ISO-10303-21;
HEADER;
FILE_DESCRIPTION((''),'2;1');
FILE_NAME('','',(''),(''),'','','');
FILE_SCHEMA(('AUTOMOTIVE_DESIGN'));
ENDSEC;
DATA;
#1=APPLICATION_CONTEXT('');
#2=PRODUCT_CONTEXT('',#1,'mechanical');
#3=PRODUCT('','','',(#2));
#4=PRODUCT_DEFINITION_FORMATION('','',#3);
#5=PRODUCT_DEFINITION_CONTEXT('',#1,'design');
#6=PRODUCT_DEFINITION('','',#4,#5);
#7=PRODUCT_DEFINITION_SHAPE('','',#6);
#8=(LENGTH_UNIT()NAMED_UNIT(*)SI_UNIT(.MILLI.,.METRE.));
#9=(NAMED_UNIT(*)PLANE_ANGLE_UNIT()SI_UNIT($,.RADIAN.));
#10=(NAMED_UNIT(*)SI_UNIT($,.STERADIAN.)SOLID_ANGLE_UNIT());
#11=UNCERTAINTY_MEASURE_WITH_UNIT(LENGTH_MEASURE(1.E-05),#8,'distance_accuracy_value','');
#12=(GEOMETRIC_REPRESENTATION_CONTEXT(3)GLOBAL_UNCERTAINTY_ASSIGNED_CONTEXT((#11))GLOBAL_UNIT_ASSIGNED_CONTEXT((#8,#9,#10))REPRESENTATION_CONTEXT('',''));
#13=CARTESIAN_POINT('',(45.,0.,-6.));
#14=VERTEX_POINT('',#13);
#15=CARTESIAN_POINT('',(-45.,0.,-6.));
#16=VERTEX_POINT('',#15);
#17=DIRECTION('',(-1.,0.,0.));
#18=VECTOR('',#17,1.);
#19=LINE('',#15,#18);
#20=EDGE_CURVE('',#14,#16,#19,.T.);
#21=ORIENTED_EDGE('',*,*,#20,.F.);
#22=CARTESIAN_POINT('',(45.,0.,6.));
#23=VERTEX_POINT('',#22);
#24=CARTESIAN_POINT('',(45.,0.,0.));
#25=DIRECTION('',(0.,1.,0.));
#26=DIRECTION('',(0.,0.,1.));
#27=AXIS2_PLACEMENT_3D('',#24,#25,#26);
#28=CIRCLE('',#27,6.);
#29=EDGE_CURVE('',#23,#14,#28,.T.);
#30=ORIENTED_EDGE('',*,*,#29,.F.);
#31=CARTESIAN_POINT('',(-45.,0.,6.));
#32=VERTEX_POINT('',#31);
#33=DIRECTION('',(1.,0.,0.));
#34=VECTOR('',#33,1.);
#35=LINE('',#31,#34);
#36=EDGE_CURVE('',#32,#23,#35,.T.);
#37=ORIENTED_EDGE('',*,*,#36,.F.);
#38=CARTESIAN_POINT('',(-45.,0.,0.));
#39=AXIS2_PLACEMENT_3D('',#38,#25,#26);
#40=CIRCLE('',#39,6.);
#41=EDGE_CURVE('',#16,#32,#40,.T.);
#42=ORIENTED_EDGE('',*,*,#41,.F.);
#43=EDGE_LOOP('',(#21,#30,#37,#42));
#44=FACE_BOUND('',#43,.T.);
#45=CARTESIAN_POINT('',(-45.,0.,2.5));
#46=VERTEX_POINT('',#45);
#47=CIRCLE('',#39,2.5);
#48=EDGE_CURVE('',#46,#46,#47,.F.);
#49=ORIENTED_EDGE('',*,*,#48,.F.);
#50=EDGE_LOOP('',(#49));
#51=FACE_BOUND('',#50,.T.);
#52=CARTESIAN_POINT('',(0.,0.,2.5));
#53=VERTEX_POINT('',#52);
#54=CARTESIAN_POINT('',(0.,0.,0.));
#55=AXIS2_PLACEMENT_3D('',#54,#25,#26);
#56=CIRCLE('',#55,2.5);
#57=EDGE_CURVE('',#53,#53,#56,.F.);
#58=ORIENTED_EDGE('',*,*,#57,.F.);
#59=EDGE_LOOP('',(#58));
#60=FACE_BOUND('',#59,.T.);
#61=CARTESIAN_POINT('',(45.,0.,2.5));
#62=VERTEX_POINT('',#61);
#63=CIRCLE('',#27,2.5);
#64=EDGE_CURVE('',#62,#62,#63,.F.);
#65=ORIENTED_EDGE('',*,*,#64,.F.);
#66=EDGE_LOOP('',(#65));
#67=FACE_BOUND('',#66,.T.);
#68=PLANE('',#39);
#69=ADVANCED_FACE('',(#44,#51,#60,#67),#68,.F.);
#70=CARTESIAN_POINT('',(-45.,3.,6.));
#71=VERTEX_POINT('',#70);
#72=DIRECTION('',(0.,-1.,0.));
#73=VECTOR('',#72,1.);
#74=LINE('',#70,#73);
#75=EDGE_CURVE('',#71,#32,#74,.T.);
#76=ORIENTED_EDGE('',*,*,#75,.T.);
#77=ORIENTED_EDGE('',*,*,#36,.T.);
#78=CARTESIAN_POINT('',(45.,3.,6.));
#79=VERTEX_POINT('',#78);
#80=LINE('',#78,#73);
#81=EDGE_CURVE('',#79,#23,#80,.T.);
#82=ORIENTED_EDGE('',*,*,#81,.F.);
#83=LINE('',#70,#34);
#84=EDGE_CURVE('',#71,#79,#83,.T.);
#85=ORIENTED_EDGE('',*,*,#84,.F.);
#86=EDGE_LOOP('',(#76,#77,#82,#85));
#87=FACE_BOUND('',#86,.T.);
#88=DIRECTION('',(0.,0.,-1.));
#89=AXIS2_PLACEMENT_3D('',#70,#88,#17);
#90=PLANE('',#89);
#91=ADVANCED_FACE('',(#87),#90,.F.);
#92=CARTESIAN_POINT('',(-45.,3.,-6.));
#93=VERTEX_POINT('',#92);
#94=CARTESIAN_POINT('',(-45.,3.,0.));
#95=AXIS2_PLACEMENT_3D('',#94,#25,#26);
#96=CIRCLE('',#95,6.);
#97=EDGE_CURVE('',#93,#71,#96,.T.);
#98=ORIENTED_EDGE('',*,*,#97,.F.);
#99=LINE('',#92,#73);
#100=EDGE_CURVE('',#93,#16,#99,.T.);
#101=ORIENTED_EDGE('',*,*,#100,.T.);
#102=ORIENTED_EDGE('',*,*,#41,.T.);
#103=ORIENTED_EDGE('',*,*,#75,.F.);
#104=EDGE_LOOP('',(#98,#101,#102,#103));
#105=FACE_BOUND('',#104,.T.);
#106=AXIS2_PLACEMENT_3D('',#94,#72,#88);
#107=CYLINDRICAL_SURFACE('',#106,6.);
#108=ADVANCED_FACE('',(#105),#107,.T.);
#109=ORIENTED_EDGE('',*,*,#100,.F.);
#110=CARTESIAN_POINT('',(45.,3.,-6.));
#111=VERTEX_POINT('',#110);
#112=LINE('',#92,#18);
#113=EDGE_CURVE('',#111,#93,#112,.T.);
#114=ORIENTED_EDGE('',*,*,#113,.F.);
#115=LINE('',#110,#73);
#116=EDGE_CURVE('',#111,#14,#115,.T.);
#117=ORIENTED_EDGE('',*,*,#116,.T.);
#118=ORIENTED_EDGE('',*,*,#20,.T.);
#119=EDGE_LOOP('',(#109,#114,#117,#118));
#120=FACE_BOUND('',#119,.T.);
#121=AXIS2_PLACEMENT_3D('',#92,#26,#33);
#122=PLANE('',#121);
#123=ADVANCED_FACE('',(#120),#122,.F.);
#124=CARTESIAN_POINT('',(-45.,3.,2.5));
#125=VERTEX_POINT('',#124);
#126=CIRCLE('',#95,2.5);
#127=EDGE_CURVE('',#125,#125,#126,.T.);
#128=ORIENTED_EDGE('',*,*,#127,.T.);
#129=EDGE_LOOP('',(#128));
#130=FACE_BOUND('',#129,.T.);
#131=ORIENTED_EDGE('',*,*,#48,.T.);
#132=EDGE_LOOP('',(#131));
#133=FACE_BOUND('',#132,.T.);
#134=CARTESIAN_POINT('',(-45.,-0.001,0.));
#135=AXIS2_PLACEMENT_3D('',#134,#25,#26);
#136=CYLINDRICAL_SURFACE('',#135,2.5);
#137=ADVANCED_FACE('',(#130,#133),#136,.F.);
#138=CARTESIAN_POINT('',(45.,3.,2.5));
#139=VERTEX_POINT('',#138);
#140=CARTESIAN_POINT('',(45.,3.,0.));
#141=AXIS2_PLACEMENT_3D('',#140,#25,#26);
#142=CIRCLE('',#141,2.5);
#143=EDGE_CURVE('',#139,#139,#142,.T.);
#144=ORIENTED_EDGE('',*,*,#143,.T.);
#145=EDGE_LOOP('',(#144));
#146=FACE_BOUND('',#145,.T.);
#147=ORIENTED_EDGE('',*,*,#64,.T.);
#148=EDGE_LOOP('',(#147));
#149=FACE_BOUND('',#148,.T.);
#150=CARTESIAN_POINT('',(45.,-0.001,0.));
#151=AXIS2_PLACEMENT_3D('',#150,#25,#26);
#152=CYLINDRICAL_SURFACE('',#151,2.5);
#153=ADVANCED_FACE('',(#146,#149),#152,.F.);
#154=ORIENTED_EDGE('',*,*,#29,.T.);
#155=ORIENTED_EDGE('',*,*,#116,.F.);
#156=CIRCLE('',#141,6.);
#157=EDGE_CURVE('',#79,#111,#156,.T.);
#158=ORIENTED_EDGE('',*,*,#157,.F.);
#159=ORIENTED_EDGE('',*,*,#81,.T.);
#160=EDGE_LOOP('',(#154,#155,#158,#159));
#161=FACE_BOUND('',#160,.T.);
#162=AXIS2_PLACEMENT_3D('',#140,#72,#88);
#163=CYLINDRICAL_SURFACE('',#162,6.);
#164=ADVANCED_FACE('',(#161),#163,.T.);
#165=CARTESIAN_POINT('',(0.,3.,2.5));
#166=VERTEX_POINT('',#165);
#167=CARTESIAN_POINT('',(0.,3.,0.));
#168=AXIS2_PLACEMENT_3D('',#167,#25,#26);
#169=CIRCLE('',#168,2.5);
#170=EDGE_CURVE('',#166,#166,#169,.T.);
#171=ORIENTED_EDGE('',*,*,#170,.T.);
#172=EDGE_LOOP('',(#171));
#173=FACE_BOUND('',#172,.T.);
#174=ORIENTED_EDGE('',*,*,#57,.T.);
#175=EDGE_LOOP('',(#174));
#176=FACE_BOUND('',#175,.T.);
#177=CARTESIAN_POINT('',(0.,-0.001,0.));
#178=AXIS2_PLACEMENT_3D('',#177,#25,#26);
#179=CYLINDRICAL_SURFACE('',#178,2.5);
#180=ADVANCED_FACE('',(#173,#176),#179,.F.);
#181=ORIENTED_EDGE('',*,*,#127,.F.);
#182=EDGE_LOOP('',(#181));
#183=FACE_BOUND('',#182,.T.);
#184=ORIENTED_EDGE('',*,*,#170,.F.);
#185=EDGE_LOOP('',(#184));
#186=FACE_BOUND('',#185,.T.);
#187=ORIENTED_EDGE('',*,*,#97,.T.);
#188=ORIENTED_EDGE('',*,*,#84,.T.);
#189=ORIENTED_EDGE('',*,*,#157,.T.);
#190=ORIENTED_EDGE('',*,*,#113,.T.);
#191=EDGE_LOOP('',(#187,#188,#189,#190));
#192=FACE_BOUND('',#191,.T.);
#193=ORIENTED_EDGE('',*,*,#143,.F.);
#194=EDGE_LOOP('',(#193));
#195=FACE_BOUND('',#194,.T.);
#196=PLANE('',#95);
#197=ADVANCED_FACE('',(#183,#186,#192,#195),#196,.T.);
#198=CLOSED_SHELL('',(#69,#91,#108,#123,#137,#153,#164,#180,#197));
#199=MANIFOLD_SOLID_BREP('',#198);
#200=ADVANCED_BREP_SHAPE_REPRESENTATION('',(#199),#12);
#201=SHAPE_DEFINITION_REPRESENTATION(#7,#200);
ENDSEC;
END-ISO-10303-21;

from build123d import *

# Parameters (mm, degrees)
EXTRUDE_1_DEPTH     = 3
CUT_EXTRUDE_1_REACH = 5
SKETCH_2_R          = 2.5


with BuildPart() as part:
    # 草圖1 → 填料-伸長1 (new body)
    with BuildSketch(Plane(origin=(0, 0, 0), x_dir=(1, 0, 0), z_dir=(0, 1, 0))):
        with BuildLine():
            Line((-45, 6), (45, 6))
            ThreePointArc((45, 6), (51, 0), (45, -6))
            Line((45, -6), (-45, -6))
            ThreePointArc((-45, -6), (-51, 0), (-45, 6))
        make_face()
    extrude(amount=EXTRUDE_1_DEPTH)

    # 草圖2 → 除料-伸長1 (cut, up to next)
    with BuildSketch(Plane(origin=(0, 3, 0), x_dir=(1, 0, 0), z_dir=(0, 1, 0)), mode=Mode.PRIVATE) as cut_extrude_1_sk1:
        with Locations((-45, 0)):
            Circle(SKETCH_2_R)
    cut_extrude_1_tool1 = extrude(cut_extrude_1_sk1.sketch, amount=-CUT_EXTRUDE_1_REACH, mode=Mode.PRIVATE) & part.part
    add(cut_extrude_1_tool1.solids().sort_by_distance((-45, 3, 0))[0], mode=Mode.SUBTRACT)
    # 草圖2 → 除料-伸長1 (cut, up to next)
    with BuildSketch(Plane(origin=(0, 3, 0), x_dir=(1, 0, 0), z_dir=(0, 1, 0)), mode=Mode.PRIVATE) as cut_extrude_1_sk2:
        with Locations((45, 0)):
            Circle(SKETCH_2_R)
    cut_extrude_1_tool2 = extrude(cut_extrude_1_sk2.sketch, amount=-CUT_EXTRUDE_1_REACH, mode=Mode.PRIVATE) & part.part
    add(cut_extrude_1_tool2.solids().sort_by_distance((45, 3, 0))[0], mode=Mode.SUBTRACT)
    # 草圖2 → 除料-伸長1 (cut, up to next)
    with BuildSketch(Plane(origin=(0, 3, 0), x_dir=(1, 0, 0), z_dir=(0, 1, 0)), mode=Mode.PRIVATE) as cut_extrude_1_sk3:
        Circle(SKETCH_2_R)
    cut_extrude_1_tool3 = extrude(cut_extrude_1_sk3.sketch, amount=-CUT_EXTRUDE_1_REACH, mode=Mode.PRIVATE) & part.part
    add(cut_extrude_1_tool3.solids().sort_by_distance((0, 3, 0))[0], mode=Mode.SUBTRACT)


solid = part.part
